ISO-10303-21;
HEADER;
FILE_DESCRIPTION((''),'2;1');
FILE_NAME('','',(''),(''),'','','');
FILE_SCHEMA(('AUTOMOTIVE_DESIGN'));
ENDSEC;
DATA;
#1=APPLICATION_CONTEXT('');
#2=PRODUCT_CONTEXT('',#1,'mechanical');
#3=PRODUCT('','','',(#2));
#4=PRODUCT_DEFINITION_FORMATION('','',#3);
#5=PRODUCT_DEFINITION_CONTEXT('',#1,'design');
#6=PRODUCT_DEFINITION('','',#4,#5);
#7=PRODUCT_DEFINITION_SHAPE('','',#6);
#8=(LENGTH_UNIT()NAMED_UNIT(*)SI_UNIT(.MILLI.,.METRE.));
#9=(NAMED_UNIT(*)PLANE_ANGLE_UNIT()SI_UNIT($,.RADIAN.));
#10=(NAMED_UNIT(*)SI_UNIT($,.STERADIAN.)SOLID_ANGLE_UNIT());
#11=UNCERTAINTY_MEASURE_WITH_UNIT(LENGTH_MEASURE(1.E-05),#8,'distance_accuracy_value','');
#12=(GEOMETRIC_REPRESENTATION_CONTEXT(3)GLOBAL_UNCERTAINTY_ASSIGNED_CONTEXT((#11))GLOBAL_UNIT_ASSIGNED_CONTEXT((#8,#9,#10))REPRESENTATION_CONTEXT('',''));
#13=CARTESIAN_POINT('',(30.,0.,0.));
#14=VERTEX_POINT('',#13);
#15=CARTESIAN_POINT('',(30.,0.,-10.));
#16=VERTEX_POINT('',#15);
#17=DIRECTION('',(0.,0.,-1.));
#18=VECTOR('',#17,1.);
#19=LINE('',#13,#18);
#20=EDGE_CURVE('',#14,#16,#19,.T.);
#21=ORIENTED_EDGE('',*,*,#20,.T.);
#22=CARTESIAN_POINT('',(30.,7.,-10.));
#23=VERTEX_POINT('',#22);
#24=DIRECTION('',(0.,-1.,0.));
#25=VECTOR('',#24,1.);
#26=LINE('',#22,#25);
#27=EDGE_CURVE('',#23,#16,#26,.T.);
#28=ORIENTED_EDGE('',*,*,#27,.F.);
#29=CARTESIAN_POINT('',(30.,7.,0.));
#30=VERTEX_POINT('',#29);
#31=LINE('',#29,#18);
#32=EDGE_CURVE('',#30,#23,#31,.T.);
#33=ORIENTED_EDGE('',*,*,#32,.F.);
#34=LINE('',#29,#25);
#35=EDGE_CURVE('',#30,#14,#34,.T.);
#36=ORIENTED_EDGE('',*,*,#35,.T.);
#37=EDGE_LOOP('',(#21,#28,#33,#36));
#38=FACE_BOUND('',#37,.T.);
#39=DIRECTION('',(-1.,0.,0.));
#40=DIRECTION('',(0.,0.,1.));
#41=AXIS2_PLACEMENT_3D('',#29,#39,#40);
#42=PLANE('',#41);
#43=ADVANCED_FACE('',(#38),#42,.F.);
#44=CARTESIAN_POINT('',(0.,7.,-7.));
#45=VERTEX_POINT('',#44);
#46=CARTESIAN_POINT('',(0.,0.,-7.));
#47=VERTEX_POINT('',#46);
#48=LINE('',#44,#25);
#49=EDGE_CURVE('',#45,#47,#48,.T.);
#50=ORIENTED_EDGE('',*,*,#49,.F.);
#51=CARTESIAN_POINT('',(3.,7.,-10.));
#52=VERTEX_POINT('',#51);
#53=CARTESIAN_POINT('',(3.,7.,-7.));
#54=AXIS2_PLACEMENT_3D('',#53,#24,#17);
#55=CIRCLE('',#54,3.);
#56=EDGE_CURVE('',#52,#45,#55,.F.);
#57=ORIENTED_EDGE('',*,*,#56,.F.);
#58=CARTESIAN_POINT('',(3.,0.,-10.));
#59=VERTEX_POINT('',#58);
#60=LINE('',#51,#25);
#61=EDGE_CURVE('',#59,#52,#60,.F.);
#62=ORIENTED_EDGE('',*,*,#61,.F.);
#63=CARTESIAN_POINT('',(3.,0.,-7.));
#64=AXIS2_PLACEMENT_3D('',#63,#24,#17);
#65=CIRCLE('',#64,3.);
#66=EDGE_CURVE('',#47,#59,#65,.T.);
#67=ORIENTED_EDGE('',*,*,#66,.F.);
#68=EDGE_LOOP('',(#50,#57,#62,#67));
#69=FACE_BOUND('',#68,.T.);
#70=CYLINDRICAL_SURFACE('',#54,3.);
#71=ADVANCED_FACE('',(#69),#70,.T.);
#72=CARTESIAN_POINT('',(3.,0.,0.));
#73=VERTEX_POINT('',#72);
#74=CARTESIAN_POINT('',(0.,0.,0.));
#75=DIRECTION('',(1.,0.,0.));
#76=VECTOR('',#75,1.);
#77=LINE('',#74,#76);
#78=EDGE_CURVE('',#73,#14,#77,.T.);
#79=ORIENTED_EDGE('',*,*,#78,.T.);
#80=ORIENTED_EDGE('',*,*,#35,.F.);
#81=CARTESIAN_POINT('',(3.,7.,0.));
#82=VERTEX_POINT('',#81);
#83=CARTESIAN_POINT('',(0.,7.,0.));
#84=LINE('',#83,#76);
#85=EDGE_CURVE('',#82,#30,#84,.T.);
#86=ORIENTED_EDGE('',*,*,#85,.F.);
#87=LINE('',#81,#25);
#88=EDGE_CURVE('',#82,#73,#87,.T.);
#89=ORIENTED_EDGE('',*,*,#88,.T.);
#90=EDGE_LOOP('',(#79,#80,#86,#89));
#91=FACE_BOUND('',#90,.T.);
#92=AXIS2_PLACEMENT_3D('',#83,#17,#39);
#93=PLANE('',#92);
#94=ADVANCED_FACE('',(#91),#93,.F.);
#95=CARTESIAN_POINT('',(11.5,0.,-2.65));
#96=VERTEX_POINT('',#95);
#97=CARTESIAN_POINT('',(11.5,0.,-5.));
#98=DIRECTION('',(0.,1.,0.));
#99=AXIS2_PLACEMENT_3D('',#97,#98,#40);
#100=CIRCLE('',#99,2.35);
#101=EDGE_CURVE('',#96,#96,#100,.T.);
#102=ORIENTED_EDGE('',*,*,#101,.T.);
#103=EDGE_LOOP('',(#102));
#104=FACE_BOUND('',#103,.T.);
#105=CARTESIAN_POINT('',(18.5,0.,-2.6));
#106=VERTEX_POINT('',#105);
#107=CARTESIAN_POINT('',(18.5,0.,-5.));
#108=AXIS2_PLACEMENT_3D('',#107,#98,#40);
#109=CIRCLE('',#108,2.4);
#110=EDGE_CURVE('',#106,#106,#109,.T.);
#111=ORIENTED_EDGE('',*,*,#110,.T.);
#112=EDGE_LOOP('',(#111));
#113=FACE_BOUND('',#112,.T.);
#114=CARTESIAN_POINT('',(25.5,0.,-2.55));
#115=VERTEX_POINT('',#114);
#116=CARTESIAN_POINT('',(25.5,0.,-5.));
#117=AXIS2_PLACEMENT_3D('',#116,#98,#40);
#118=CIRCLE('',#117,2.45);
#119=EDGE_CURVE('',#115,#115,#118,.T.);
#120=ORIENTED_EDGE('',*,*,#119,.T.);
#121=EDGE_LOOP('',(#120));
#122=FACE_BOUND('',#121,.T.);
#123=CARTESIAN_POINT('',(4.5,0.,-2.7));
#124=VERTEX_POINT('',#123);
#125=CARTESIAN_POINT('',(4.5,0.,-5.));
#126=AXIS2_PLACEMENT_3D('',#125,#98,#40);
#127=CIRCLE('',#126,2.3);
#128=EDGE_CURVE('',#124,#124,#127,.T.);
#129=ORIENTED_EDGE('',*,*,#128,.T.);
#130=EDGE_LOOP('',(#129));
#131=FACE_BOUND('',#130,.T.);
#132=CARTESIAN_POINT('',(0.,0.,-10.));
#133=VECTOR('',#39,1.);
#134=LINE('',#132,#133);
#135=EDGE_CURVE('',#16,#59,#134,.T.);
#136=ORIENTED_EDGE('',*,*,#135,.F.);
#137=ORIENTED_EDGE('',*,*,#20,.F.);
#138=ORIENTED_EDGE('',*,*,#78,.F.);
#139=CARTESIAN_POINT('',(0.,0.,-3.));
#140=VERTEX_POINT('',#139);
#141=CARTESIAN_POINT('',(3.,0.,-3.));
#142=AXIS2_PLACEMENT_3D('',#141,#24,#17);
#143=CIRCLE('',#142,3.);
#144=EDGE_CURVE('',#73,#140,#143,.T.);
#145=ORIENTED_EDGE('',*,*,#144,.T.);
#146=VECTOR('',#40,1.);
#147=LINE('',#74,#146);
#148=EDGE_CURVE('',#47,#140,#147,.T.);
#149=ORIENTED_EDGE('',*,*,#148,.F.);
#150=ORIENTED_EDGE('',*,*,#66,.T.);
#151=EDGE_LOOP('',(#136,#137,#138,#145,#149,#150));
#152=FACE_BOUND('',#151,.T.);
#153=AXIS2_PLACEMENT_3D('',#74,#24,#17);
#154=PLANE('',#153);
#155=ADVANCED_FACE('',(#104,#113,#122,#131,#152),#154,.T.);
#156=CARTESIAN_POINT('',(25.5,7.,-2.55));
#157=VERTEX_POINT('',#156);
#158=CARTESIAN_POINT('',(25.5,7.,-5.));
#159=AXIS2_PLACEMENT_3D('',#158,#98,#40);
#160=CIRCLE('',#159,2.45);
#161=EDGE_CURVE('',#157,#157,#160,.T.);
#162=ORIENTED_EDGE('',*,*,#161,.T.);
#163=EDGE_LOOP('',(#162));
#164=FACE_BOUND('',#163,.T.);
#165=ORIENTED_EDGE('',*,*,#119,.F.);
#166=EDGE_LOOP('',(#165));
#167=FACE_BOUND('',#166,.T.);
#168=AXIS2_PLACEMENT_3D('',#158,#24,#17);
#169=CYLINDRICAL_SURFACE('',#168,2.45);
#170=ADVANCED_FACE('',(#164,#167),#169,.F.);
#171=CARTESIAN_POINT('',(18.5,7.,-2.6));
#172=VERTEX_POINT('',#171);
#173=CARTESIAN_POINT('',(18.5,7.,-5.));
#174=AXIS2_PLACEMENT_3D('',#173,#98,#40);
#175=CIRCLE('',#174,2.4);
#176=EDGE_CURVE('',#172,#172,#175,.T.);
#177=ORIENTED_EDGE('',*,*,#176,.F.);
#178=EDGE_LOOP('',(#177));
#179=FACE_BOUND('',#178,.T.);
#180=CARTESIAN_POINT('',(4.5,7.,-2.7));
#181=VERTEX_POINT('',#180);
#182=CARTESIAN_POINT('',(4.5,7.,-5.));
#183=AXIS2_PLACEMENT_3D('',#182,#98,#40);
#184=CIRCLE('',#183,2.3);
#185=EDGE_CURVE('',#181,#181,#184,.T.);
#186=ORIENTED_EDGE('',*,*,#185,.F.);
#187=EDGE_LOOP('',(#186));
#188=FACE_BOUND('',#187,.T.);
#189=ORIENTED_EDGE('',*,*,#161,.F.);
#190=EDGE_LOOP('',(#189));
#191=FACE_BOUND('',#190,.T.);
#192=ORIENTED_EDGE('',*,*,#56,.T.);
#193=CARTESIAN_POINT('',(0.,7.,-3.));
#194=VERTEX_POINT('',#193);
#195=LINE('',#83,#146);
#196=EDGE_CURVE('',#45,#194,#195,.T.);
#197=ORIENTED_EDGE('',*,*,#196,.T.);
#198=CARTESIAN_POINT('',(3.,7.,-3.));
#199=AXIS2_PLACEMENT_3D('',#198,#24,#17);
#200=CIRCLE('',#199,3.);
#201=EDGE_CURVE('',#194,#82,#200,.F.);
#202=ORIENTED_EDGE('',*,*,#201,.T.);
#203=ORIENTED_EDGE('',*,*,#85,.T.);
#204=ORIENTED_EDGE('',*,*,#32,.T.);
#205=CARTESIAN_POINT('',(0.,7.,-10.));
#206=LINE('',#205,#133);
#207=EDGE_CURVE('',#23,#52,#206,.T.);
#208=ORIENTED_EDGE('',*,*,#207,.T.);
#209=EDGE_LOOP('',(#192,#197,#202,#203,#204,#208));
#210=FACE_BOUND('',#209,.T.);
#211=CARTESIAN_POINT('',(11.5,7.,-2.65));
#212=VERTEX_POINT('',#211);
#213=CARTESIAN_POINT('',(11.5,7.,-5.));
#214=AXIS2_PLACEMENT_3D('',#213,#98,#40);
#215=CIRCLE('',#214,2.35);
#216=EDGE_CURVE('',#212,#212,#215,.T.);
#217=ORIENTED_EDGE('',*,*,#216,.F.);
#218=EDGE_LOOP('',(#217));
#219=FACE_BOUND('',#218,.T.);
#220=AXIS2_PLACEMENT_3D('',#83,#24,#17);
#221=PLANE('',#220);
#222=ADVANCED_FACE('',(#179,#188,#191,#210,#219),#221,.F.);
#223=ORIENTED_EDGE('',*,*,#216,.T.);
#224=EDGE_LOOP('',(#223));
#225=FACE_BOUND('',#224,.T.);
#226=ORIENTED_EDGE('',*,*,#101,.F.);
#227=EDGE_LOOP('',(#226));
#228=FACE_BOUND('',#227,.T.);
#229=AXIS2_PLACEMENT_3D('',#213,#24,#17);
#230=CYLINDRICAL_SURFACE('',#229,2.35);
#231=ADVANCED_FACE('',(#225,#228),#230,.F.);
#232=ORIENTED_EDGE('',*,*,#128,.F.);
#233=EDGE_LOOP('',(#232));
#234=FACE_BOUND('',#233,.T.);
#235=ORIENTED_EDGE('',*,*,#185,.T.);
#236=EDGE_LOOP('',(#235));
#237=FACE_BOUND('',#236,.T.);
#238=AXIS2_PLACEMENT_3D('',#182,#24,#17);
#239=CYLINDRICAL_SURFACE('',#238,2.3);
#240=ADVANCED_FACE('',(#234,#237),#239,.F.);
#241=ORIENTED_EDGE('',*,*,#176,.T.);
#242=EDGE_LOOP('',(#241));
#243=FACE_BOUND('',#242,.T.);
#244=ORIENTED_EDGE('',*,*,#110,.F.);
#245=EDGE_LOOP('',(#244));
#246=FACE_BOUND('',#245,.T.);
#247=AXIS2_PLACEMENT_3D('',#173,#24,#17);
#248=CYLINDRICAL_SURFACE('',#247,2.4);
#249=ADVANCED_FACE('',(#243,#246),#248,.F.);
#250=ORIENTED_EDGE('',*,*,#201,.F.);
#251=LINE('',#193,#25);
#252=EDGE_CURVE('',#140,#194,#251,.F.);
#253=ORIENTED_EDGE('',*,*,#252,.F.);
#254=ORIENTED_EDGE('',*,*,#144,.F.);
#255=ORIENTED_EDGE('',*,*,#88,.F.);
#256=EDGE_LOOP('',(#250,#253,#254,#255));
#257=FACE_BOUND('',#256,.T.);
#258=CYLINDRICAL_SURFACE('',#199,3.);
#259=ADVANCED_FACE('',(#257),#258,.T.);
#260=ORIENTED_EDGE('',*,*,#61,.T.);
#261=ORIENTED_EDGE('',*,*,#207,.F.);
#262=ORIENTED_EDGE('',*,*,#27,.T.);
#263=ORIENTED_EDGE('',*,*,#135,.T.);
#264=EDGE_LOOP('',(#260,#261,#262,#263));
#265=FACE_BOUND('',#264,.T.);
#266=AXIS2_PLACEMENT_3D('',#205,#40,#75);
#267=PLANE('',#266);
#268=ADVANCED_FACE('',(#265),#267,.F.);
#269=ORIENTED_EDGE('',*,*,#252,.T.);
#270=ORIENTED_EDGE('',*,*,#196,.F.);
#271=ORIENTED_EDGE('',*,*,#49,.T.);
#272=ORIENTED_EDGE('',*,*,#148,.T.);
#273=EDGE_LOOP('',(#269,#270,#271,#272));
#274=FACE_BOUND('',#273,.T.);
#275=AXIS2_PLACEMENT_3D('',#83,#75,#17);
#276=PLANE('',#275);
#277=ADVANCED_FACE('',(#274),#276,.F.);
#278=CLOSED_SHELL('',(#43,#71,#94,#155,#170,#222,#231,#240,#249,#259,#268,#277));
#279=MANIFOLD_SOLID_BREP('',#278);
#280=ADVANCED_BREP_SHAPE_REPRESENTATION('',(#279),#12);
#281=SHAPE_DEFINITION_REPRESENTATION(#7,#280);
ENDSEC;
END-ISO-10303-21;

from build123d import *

# Parameters (mm, degrees)
SKETCH1_W           = 30
SKETCH1_H           = 10
SKETCH1_R           = 2.3
SKETCH1_R_2         = 2.35
SKETCH1_R_3         = 2.4
SKETCH1_R_4         = 2.45
BOSS_EXTRUDE1_DEPTH = 7
FILLET1_R           = 3


with BuildPart() as part:
    # Sketch1 → Boss-Extrude1 (new body)
    with BuildSketch(Plane(origin=(0, 0, 0), x_dir=(1, 0, 0), z_dir=(0, 1, 0))):
        with Locations((15, 5)):
            Rectangle(SKETCH1_W, SKETCH1_H)
        with Locations(Location((4.5, 5, 0), (0, 0, 270))):
            Circle(SKETCH1_R, mode=Mode.SUBTRACT)
        with Locations(Location((11.5, 5, 0), (0, 0, 270))):
            Circle(SKETCH1_R_2, mode=Mode.SUBTRACT)
        with Locations(Location((18.5, 5, 0), (0, 0, 270))):
            Circle(SKETCH1_R_3, mode=Mode.SUBTRACT)
        with Locations(Location((25.5, 5, 0), (0, 0, 270))):
            Circle(SKETCH1_R_4, mode=Mode.SUBTRACT)
    extrude(amount=BOSS_EXTRUDE1_DEPTH)

    # Fillet1
    fillet1_edges = [part.edges().sort_by_distance(p)[0] for p in [
        (0, 3.5, -10),
        (0, 3.5, 0),
    ]]
    fillet(fillet1_edges, radius=FILLET1_R)


solid = part.part
